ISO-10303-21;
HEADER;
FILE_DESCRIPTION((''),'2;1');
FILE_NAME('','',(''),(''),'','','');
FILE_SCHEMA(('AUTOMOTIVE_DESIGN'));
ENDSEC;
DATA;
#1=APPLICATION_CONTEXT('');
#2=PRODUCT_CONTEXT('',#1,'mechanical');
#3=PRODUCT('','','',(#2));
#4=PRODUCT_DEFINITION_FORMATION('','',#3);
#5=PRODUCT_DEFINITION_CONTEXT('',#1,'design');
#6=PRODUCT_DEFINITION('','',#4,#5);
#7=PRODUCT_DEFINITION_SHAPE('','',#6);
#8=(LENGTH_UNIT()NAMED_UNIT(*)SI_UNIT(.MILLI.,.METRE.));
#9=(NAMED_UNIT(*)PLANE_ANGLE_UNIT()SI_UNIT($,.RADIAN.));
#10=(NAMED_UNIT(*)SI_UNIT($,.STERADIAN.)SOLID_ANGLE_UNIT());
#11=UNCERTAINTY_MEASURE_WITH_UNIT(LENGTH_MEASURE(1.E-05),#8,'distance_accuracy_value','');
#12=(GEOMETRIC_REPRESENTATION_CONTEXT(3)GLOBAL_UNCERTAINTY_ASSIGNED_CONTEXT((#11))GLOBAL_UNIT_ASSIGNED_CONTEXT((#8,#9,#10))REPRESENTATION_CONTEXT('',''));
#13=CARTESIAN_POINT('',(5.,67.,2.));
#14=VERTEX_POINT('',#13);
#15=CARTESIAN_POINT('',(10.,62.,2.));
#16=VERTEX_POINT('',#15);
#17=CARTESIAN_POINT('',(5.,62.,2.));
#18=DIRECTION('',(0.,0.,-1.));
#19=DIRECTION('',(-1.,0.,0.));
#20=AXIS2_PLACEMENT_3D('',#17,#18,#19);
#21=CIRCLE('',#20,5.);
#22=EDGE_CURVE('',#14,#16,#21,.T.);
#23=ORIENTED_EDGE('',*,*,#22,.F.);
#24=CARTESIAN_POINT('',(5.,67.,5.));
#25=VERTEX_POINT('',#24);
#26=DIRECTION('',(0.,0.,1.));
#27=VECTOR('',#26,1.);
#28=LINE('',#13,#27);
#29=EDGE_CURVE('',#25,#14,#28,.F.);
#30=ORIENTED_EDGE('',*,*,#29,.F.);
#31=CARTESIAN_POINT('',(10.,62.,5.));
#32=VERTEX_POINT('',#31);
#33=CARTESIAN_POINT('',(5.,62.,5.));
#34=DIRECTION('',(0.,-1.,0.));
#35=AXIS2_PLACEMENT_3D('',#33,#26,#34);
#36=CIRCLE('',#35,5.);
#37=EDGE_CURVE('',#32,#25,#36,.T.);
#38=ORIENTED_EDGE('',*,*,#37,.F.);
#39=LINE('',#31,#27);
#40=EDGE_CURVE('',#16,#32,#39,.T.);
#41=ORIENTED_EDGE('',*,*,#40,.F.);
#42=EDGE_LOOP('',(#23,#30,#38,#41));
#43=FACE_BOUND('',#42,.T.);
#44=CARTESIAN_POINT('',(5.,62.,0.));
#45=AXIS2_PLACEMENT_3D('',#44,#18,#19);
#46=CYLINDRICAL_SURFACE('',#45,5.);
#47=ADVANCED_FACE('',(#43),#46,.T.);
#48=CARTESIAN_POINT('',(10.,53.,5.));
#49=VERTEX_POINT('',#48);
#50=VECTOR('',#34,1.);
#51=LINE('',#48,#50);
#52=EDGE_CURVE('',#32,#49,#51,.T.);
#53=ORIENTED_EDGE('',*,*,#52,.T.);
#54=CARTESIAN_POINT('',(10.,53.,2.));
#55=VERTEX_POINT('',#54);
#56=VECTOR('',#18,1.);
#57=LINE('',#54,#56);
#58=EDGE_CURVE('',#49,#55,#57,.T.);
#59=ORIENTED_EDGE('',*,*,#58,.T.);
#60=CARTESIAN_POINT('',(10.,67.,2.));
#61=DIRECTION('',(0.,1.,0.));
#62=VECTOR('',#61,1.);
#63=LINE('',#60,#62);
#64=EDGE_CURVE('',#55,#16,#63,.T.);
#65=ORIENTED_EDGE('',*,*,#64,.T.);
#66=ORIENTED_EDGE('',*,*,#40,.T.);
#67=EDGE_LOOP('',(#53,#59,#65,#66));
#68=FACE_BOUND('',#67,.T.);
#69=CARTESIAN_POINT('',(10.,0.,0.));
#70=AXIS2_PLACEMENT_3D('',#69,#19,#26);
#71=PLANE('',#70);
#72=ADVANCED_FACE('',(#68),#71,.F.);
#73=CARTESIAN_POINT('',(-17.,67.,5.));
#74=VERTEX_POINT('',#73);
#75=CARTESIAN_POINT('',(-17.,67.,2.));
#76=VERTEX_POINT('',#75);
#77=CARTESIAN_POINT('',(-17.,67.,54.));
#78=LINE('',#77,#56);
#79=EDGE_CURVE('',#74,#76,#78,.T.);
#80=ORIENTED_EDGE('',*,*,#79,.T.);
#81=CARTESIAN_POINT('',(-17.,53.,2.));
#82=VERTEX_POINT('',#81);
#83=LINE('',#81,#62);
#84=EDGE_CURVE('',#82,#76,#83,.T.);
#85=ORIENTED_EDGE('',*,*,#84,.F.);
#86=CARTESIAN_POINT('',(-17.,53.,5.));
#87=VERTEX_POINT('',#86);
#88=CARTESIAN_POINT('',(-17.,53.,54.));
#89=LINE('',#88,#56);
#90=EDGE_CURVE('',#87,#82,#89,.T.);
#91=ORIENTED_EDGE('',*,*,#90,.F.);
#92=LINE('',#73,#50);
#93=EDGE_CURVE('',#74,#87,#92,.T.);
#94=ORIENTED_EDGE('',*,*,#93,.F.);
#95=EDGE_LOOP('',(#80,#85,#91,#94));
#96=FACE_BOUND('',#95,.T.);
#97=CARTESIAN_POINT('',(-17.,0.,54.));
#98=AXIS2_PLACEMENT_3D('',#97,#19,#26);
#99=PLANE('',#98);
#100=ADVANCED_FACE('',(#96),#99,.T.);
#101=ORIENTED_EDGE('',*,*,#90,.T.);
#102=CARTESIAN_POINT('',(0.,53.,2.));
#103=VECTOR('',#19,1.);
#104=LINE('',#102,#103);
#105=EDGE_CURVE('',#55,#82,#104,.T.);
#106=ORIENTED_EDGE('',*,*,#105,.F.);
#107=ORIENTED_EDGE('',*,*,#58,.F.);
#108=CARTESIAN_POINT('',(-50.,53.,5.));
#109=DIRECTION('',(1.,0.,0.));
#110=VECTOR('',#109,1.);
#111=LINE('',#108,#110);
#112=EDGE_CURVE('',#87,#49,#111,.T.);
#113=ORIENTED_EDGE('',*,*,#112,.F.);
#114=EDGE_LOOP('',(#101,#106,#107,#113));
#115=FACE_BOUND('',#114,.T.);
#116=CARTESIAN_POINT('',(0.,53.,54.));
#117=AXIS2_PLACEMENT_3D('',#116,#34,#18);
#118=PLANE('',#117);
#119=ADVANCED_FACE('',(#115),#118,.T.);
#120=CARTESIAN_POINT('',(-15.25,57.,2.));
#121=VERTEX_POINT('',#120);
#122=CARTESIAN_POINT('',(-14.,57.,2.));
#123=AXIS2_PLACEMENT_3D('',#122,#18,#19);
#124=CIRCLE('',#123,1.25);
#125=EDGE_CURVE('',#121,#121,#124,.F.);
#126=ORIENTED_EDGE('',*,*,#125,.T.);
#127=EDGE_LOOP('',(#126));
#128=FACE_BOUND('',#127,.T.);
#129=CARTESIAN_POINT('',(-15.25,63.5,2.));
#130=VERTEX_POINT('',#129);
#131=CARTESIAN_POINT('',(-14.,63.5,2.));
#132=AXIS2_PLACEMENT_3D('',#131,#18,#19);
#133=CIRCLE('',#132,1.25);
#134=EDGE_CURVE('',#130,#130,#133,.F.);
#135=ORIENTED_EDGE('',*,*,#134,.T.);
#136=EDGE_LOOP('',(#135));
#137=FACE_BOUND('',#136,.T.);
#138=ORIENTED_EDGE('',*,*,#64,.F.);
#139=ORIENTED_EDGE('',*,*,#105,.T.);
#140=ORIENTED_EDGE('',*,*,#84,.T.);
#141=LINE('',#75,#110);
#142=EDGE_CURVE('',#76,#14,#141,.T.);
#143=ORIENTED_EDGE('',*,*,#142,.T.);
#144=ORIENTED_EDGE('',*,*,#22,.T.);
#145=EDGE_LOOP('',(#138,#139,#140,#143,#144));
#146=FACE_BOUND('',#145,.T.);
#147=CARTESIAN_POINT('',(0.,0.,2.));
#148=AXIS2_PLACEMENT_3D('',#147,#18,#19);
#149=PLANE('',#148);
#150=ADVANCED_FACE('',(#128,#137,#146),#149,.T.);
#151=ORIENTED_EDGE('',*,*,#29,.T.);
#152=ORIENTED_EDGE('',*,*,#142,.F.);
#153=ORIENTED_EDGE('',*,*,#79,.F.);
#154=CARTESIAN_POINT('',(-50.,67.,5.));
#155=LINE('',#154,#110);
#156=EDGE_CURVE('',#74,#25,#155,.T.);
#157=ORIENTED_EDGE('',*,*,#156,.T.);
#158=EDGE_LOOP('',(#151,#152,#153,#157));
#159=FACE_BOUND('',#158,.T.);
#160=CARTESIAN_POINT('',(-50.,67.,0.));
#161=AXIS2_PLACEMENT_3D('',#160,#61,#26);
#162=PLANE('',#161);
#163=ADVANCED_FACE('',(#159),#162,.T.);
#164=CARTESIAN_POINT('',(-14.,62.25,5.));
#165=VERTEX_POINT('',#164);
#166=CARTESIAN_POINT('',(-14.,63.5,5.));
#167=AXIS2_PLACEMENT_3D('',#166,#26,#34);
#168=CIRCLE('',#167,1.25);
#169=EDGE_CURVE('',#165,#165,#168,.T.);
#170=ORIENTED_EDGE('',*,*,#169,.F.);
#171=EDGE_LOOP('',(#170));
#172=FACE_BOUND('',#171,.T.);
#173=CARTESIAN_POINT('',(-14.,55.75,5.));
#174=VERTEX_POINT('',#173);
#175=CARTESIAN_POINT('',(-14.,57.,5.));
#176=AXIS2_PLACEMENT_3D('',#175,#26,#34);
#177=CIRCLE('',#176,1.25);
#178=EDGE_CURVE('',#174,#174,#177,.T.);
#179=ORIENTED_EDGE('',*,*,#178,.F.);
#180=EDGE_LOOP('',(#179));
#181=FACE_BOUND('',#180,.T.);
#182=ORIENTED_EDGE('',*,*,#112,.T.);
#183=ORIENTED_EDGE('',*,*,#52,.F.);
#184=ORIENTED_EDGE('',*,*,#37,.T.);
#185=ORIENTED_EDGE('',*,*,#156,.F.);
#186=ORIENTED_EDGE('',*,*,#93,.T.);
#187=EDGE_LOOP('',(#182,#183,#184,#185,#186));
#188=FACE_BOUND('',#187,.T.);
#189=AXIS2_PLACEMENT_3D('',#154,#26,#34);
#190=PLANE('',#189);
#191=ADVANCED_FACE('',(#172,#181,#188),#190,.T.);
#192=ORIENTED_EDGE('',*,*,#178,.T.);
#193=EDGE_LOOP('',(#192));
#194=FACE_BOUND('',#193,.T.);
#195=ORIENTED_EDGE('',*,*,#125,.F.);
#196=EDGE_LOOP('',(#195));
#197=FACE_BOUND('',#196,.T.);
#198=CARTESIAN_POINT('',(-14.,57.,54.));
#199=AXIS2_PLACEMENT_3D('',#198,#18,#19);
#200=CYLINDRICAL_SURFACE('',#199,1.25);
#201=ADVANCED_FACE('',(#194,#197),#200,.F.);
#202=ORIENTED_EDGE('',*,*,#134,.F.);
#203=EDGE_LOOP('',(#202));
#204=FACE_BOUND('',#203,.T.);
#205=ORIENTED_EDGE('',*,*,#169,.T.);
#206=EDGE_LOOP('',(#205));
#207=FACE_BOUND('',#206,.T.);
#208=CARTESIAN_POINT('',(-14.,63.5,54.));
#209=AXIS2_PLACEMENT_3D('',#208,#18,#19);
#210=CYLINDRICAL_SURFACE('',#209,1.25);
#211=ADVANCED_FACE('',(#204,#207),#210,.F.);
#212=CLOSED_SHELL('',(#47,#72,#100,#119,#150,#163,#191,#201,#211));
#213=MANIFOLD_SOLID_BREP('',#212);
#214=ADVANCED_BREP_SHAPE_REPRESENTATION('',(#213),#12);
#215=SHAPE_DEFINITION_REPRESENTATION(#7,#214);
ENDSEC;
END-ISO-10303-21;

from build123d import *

# Parameters (mm, degrees)
SKETCH1_W           = 19
SKETCH1_H           = 58
BOSS_EXTRUDE1_DEPTH = 54
SKETCH2_3_R         = 20
SKETCH2_3_R_2       = 15.5
BOSS_EXTRUDE2_DEPTH = 50
SKETCH2_R           = 1.9
CUT_EXTRUDE1_DEPTH  = 10
FILLET1_R           = 10
BOSS_EXTRUDE3_DEPTH = 50
SKETCH4_R           = 1.25
CUT_EXTRUDE2_DEPTH  = 100.523866484
SKETCH5_W           = 17
SKETCH5_H           = 14
CUT_EXTRUDE3_DEPTH  = 2
SKETCH7_W           = 50
SKETCH7_H           = 57
CUT_EXTRUDE4_DEPTH  = 94.701654201
SKETCH8_W           = 3
SKETCH8_H           = 14
BOSS_EXTRUDE4_DEPTH = 10
FILLET2_R           = 5


with BuildPart() as part:
    # Sketch1 → Boss-Extrude1 (new body)
    with BuildSketch(Plane.XY):
        with Locations((9.5, 29)):
            Rectangle(SKETCH1_W, SKETCH1_H)
    extrude(amount=BOSS_EXTRUDE1_DEPTH)

    # Sketch2<3> → Boss-Extrude2 (add)
    with BuildSketch(Plane.ZY):
        with Locations((27.5, 29)):
            Circle(SKETCH2_3_R)
        with Locations((27.5, 29)):
            Circle(SKETCH2_3_R_2, mode=Mode.SUBTRACT)
    extrude(amount=-BOSS_EXTRUDE2_DEPTH)

    # Sketch2 → Cut-Extrude1 (cut)
    with BuildSketch(Plane.ZY):
        with Locations((9.25, 29)):
            Circle(SKETCH2_R)
        with Locations((45.75, 29)):
            Circle(SKETCH2_R)
    extrude(amount=-CUT_EXTRUDE1_DEPTH, mode=Mode.SUBTRACT)

    # Fillet1
    fillet1_edges = [part.edges().sort_by_distance(p)[0] for p in [
        (9.5, 0, 0),
    ]]
    fillet(fillet1_edges, radius=FILLET1_R)

    # Sketch3 → Boss-Extrude3 (add)
    with BuildSketch(Plane(origin=(0, 0, 0), x_dir=(0, 0, -1), z_dir=(1, 0, 0))):
        Polygon((0, 0), (0, 57), (0, 67), (-5, 67), (-5, 0), align=None)
    extrude(amount=-BOSS_EXTRUDE3_DEPTH)

    # Sketch4 → Cut-Extrude2 (cut, through all)
    with BuildSketch(Plane(origin=(0, 0, 0), x_dir=(-1, 0, 0), z_dir=(0, 0, -1))):
        with Locations((14, 57)):
            Circle(SKETCH4_R)
        Polygon((0, 0), (50, 0), (50, 67), (17, 67), (17, 53), (0, 53), align=None)
        with Locations((14, 63.5)):
            Circle(SKETCH4_R)
    extrude(amount=-CUT_EXTRUDE2_DEPTH, mode=Mode.SUBTRACT)

    # Sketch5 → Cut-Extrude3 (cut)
    with BuildSketch(Plane(origin=(0, 0, 0), x_dir=(-1, 0, 0), z_dir=(0, 0, -1))):
        with Locations((8.5, 60)):
            Rectangle(SKETCH5_W, SKETCH5_H)
    extrude(amount=-CUT_EXTRUDE3_DEPTH, mode=Mode.SUBTRACT)

    # Sketch7 → Cut-Extrude4 (cut, through all)
    with BuildSketch(Plane(origin=(0, 58, 0), x_dir=(1, 0, 0), z_dir=(0, 1, 0))):
        with Locations((25, -28.5)):
            Rectangle(SKETCH7_W, SKETCH7_H)
    extrude(amount=-CUT_EXTRUDE4_DEPTH, mode=Mode.SUBTRACT)

    # Sketch8 → Boss-Extrude4 (add)
    with BuildSketch(Plane(origin=(0, 0, 0), x_dir=(0, 0, -1), z_dir=(1, 0, 0))):
        with Locations((-3.5, 60)):
            Rectangle(SKETCH8_W, SKETCH8_H)
    extrude(amount=BOSS_EXTRUDE4_DEPTH)

    # Fillet2
    fillet2_edges = [part.edges().sort_by_distance(p)[0] for p in [
        (10, 67, 3.5),
    ]]
    fillet(fillet2_edges, radius=FILLET2_R)


solid = part.part
